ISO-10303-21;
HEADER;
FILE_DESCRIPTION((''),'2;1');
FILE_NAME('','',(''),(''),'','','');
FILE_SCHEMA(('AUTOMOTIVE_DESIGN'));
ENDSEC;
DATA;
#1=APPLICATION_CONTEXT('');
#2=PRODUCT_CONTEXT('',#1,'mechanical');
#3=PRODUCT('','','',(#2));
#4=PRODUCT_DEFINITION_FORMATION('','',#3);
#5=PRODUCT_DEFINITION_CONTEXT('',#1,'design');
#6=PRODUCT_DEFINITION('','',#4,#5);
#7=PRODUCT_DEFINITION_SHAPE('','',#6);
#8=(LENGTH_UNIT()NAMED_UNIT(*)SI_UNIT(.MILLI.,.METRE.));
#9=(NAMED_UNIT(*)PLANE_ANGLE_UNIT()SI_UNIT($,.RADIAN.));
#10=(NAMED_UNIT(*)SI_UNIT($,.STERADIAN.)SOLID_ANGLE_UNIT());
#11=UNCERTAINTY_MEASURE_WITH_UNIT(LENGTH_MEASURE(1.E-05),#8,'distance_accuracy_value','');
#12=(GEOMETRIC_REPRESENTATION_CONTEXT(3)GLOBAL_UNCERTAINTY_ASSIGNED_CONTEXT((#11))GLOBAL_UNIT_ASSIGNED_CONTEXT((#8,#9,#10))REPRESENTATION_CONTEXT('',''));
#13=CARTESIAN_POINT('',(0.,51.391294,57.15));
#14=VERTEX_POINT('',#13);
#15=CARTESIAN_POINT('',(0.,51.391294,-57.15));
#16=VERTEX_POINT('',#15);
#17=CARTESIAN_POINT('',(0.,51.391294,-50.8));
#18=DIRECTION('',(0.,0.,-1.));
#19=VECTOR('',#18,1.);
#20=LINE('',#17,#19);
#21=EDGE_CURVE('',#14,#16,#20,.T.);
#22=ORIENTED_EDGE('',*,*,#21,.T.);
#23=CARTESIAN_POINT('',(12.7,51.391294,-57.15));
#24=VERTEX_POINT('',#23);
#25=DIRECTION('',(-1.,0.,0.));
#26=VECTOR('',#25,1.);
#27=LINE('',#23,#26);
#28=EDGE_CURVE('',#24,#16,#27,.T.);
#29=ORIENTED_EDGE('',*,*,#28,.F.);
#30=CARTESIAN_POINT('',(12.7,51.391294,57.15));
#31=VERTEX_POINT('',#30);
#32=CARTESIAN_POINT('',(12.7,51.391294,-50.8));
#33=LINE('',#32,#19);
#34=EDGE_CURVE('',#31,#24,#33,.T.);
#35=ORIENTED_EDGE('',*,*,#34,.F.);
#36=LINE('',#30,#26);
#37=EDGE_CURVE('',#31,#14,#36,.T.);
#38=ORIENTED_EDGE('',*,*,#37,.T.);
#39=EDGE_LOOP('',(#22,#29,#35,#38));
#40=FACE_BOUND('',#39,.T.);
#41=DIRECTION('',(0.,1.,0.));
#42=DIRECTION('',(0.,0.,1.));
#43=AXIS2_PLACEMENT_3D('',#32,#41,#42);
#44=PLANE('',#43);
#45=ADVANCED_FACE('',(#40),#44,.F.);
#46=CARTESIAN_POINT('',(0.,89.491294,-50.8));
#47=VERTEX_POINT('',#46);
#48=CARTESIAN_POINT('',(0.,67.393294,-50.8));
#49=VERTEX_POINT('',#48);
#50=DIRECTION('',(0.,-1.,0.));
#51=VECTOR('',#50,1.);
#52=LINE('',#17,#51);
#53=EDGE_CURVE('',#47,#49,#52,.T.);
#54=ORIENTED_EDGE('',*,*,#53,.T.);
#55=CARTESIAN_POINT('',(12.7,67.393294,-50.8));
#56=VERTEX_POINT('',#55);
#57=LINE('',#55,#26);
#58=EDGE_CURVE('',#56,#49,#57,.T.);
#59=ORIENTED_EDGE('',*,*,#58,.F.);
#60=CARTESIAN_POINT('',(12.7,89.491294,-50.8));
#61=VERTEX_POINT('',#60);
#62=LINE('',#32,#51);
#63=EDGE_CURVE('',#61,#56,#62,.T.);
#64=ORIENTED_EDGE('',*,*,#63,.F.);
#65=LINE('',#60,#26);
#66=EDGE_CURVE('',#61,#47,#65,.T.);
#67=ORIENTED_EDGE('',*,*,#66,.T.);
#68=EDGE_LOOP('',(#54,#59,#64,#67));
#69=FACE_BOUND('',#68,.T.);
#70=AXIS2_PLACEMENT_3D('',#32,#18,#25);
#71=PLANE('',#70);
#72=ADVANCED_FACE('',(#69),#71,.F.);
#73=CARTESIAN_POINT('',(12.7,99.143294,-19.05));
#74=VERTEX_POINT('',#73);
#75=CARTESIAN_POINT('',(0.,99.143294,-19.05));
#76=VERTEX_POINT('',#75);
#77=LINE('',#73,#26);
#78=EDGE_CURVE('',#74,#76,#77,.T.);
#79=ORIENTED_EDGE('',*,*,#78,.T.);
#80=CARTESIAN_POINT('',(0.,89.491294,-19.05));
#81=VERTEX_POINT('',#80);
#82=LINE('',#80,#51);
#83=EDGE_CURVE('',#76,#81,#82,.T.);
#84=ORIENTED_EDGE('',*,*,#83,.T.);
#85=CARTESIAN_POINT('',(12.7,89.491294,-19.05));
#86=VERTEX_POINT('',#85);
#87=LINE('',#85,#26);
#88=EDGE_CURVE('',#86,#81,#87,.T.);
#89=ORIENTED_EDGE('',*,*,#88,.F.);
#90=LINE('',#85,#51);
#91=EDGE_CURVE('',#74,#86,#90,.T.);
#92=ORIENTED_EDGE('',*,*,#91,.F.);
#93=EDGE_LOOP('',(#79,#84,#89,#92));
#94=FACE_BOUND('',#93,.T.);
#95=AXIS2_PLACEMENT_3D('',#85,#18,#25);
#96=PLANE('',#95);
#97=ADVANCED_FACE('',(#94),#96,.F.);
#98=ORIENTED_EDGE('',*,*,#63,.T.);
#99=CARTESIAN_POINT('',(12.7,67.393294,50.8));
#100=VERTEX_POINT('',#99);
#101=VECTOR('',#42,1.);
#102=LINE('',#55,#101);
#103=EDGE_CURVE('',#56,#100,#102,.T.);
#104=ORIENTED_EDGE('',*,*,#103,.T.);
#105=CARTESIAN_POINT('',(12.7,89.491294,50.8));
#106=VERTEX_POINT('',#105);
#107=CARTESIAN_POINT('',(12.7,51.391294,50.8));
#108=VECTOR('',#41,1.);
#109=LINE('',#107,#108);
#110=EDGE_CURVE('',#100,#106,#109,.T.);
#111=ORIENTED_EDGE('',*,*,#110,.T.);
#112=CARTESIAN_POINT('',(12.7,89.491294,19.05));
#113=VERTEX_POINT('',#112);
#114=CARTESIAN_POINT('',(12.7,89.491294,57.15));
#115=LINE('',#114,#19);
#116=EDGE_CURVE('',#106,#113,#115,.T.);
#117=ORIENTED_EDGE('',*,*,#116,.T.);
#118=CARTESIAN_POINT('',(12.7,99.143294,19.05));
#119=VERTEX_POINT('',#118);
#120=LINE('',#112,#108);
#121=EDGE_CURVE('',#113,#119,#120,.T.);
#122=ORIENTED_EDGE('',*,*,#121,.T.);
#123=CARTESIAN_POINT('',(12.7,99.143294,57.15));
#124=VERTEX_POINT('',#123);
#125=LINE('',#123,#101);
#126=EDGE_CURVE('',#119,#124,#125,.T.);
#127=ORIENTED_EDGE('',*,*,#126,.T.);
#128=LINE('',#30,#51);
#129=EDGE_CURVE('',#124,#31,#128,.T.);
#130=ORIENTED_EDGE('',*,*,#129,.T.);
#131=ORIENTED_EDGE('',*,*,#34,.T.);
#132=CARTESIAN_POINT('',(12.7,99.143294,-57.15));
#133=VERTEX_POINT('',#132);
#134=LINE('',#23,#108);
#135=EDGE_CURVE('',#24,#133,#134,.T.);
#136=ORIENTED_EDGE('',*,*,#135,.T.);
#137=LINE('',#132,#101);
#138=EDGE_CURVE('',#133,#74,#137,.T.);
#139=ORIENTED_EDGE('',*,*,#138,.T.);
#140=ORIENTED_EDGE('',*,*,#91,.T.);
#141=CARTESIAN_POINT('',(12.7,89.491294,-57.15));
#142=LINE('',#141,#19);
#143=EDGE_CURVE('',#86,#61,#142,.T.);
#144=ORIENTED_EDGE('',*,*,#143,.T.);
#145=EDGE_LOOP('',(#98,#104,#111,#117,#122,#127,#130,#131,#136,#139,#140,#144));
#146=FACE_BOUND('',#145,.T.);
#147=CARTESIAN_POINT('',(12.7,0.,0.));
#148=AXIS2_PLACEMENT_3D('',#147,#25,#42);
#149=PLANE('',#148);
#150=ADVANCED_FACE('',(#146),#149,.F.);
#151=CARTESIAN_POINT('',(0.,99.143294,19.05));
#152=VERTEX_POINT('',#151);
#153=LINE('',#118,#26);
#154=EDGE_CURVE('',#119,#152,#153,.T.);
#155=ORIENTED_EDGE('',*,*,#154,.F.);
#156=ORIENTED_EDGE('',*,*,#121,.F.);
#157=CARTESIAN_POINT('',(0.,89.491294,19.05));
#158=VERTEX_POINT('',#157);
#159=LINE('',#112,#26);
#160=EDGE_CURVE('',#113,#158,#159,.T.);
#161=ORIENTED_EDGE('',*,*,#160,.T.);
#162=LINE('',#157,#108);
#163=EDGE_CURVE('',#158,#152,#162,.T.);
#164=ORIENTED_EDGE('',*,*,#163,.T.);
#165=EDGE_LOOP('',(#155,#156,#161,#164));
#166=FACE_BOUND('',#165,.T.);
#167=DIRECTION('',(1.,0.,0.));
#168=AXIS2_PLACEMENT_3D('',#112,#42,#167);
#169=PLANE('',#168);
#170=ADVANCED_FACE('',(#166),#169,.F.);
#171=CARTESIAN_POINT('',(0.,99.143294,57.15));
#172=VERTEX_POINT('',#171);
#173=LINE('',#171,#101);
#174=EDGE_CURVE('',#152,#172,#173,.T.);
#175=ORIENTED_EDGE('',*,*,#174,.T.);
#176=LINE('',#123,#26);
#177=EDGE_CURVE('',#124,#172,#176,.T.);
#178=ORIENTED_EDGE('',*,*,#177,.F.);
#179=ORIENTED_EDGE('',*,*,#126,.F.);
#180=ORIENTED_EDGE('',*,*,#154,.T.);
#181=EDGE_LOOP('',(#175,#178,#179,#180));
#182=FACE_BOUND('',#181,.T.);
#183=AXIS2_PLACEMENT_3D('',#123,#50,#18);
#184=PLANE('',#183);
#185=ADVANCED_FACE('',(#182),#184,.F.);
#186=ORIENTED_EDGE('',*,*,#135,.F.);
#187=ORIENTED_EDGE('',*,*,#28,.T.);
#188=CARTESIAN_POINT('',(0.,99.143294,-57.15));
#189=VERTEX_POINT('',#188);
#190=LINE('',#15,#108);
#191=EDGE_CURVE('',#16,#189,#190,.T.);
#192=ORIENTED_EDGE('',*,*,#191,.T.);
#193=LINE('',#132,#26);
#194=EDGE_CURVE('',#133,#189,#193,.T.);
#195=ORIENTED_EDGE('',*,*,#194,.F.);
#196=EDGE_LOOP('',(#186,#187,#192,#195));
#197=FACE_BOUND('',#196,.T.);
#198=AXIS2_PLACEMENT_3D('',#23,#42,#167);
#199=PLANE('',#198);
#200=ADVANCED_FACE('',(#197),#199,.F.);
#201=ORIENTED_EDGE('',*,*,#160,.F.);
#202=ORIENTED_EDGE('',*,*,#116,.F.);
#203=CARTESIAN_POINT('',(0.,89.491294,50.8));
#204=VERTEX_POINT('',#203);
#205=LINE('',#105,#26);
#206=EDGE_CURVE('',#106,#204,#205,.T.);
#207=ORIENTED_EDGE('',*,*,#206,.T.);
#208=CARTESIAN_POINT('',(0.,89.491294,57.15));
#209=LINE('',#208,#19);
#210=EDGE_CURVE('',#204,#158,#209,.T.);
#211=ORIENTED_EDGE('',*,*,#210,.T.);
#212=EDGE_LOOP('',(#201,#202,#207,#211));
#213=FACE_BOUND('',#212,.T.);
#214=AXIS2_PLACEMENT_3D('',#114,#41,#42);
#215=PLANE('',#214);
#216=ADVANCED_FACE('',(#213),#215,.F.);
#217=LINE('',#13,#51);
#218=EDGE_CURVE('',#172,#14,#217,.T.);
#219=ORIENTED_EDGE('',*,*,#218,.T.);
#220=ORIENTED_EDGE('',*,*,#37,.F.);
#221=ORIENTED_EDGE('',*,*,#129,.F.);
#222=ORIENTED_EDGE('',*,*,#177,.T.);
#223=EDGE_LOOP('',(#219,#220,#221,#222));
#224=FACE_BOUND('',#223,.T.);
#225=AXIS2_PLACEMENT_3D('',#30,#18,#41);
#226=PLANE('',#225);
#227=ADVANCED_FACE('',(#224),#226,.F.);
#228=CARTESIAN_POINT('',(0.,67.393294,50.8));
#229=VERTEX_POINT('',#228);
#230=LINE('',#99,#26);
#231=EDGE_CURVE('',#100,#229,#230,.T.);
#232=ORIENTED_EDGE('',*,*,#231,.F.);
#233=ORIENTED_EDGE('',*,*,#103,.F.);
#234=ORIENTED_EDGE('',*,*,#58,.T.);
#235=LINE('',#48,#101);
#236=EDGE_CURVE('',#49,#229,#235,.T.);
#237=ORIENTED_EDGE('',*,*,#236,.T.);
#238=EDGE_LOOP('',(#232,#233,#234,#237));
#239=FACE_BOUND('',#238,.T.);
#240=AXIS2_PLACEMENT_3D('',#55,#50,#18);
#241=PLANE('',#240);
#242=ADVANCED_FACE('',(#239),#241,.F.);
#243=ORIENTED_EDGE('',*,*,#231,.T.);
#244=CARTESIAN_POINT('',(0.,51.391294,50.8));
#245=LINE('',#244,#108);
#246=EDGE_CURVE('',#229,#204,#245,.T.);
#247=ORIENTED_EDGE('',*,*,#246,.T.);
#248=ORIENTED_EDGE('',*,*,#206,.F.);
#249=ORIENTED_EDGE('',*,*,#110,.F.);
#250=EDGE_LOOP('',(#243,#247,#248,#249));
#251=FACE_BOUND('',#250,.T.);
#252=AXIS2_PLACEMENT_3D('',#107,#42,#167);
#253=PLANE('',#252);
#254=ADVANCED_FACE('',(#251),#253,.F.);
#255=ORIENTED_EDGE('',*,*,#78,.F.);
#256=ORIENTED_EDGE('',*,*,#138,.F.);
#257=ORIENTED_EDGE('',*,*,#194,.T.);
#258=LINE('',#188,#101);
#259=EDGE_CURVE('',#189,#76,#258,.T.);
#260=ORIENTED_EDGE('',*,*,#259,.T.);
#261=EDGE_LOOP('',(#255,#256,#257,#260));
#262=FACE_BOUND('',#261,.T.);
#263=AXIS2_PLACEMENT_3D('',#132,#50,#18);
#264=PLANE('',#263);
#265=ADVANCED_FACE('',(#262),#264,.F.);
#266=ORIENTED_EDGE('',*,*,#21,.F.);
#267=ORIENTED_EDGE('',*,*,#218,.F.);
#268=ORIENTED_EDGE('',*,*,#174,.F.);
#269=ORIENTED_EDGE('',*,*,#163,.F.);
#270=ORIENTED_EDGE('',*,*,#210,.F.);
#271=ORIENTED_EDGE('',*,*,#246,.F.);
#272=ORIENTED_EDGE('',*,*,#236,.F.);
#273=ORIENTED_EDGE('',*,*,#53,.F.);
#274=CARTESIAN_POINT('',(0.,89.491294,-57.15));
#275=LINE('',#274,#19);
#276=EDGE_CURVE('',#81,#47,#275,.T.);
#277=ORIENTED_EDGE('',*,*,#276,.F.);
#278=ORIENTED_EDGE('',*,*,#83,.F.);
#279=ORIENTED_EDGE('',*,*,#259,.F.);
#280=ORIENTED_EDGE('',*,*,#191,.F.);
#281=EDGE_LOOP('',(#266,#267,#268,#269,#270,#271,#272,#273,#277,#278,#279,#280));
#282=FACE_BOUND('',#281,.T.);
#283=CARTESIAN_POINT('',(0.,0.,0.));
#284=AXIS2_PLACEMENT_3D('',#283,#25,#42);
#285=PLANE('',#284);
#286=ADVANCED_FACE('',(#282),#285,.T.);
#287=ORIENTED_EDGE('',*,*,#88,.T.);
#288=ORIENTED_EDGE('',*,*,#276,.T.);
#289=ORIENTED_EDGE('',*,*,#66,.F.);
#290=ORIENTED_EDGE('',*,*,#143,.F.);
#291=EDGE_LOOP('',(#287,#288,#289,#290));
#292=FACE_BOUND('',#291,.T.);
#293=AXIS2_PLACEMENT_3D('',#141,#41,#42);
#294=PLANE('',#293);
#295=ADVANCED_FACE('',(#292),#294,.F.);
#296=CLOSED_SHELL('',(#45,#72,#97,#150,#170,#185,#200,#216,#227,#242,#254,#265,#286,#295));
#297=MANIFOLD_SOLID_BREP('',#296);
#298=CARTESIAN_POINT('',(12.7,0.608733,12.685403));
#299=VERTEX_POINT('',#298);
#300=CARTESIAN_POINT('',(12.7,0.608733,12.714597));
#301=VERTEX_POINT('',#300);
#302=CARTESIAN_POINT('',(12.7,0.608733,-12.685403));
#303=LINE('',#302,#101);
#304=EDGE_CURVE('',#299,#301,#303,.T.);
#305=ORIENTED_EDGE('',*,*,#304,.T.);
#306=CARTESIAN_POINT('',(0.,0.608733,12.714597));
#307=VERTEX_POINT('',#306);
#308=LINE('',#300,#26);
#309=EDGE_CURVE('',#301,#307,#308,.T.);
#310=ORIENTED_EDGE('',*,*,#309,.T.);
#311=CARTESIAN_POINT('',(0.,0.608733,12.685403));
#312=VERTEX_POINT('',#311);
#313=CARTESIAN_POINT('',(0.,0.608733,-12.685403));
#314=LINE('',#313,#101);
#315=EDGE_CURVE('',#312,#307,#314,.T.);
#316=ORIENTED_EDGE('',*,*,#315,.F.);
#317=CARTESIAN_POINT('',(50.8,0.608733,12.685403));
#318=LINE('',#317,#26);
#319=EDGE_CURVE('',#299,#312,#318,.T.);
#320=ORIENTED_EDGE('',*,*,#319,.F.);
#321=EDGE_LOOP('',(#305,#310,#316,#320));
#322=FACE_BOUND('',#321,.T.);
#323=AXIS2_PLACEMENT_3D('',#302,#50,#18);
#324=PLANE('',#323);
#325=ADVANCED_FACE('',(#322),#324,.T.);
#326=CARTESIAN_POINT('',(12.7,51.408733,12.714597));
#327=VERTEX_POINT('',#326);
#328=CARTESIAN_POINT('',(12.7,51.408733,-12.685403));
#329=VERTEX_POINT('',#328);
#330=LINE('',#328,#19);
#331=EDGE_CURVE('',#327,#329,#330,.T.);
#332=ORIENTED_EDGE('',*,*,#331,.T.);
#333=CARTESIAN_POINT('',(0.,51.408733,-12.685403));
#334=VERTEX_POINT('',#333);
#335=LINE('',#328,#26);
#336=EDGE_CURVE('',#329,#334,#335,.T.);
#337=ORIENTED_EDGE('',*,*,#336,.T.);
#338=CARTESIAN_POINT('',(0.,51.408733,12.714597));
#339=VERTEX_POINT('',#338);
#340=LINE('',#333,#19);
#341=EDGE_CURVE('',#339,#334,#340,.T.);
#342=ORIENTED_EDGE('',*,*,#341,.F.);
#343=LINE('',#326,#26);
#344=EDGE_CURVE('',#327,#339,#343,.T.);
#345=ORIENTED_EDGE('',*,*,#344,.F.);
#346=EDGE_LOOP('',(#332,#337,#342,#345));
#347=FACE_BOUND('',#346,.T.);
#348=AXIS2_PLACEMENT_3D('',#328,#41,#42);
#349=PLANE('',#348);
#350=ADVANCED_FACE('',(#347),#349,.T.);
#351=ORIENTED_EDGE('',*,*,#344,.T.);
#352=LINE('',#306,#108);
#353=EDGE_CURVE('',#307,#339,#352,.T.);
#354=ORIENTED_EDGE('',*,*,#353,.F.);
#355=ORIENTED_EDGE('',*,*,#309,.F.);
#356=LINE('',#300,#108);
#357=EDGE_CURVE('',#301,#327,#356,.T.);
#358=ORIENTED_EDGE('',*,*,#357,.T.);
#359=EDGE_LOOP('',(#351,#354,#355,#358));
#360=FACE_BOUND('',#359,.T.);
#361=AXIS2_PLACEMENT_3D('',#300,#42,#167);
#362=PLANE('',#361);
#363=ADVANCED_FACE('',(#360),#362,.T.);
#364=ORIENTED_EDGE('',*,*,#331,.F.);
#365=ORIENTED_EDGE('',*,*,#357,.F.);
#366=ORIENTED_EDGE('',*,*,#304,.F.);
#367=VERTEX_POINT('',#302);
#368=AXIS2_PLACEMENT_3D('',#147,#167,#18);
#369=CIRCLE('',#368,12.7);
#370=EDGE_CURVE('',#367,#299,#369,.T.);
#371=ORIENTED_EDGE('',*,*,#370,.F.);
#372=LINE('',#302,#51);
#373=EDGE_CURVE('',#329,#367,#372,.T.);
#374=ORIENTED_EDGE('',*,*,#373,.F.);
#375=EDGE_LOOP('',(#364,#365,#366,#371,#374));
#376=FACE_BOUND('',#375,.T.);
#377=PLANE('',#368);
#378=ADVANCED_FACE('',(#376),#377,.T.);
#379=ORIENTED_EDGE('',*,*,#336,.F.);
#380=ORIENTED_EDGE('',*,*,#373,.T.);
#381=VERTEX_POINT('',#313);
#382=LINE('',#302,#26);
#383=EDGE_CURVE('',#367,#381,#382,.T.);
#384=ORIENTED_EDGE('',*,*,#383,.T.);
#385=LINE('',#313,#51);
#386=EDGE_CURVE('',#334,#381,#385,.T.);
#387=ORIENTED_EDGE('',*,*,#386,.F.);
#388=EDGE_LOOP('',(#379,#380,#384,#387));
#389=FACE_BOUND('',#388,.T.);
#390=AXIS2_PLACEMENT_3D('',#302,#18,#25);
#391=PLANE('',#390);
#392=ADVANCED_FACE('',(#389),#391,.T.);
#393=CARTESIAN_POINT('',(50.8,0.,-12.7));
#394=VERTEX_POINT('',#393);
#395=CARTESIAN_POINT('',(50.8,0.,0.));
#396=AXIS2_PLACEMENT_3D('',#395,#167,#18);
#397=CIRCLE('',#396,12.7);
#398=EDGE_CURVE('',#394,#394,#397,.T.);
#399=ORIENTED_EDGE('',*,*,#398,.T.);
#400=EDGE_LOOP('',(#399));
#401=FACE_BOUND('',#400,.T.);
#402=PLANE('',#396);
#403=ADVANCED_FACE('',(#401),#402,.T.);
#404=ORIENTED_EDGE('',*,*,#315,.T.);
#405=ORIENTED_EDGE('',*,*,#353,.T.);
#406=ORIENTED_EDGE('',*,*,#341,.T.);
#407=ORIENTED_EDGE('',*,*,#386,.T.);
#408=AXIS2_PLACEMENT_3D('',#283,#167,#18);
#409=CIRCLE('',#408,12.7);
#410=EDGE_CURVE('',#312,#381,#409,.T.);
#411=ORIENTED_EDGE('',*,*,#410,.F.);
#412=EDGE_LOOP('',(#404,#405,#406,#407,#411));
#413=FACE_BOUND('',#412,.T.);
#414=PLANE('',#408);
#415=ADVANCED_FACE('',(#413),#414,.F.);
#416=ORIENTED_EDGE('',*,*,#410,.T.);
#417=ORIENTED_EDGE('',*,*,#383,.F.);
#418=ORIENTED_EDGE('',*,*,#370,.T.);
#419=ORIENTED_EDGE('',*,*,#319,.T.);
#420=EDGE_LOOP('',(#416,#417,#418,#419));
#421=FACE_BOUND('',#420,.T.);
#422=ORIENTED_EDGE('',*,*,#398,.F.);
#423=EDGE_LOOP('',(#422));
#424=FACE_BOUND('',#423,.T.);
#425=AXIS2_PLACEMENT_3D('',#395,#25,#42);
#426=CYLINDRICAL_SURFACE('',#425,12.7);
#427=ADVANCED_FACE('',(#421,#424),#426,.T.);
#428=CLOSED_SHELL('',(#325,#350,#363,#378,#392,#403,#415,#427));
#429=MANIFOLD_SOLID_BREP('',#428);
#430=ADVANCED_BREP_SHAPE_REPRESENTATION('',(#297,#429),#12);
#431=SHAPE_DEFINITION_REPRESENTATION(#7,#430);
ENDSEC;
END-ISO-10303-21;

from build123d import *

# Parameters (mm, degrees)
SKETCH2_R           = 12.7
BOSS_EXTRUDE1_DEPTH = 50.8
SKETCH3_W           = 25.4
SKETCH3_H           = 50.8
BOSS_EXTRUDE2_DEPTH = 12.7
SKETCH5_W           = 101.6
SKETCH5_H           = 16.002
BOSS_EXTRUDE3_DEPTH = 12.7
SKETCH6_W           = 6.35
SKETCH6_H           = 38.1
BOSS_EXTRUDE4_DEPTH = 12.7
SKETCH7_W           = 38.1
SKETCH7_H           = 9.652
BOSS_EXTRUDE5_DEPTH = 12.7


with BuildPart() as part:
    # Sketch2 → Boss-Extrude1 (new body)
    with BuildSketch(Plane(origin=(0, 0, 0), x_dir=(0, 0, -1), z_dir=(1, 0, 0))):
        Circle(SKETCH2_R)
    extrude(amount=BOSS_EXTRUDE1_DEPTH)

    # Sketch3 → Boss-Extrude2 (add)
    with BuildSketch(Plane.ZY):
        with Locations((0.014597196, 26.008732875)):
            Rectangle(SKETCH3_W, SKETCH3_H)
    extrude(amount=-BOSS_EXTRUDE2_DEPTH)


with BuildPart() as body_2:
    # Sketch5 → Boss-Extrude3 (new body)
    with BuildSketch(Plane(origin=(0, 0, 0), x_dir=(0, 0, -1), z_dir=(1, 0, 0))):
        with Locations((0, 59.392294155)):
            Rectangle(SKETCH5_W, SKETCH5_H)
    extrude(amount=BOSS_EXTRUDE3_DEPTH)

    # Sketch6 → Boss-Extrude4 (add)
    with BuildSketch(Plane(origin=(0, 0, 0), x_dir=(0, 0, -1), z_dir=(1, 0, 0))):
        with Locations((-53.975, 70.441294155)):
            Rectangle(SKETCH6_W, SKETCH6_H)
        with Locations((53.975, 70.441294155)):
            Rectangle(SKETCH6_W, SKETCH6_H)
    extrude(amount=BOSS_EXTRUDE4_DEPTH)

    # Sketch7 → Boss-Extrude5 (add)
    with BuildSketch(Plane(origin=(0, 0, 0), x_dir=(0, 0, -1), z_dir=(1, 0, 0))):
        with Locations((-38.1, 94.317294155)):
            Rectangle(SKETCH7_W, SKETCH7_H)
        with Locations((38.1, 94.317294155)):
            Rectangle(SKETCH7_W, SKETCH7_H)
    extrude(amount=BOSS_EXTRUDE5_DEPTH)


solid = Compound([part.part, body_2.part])
